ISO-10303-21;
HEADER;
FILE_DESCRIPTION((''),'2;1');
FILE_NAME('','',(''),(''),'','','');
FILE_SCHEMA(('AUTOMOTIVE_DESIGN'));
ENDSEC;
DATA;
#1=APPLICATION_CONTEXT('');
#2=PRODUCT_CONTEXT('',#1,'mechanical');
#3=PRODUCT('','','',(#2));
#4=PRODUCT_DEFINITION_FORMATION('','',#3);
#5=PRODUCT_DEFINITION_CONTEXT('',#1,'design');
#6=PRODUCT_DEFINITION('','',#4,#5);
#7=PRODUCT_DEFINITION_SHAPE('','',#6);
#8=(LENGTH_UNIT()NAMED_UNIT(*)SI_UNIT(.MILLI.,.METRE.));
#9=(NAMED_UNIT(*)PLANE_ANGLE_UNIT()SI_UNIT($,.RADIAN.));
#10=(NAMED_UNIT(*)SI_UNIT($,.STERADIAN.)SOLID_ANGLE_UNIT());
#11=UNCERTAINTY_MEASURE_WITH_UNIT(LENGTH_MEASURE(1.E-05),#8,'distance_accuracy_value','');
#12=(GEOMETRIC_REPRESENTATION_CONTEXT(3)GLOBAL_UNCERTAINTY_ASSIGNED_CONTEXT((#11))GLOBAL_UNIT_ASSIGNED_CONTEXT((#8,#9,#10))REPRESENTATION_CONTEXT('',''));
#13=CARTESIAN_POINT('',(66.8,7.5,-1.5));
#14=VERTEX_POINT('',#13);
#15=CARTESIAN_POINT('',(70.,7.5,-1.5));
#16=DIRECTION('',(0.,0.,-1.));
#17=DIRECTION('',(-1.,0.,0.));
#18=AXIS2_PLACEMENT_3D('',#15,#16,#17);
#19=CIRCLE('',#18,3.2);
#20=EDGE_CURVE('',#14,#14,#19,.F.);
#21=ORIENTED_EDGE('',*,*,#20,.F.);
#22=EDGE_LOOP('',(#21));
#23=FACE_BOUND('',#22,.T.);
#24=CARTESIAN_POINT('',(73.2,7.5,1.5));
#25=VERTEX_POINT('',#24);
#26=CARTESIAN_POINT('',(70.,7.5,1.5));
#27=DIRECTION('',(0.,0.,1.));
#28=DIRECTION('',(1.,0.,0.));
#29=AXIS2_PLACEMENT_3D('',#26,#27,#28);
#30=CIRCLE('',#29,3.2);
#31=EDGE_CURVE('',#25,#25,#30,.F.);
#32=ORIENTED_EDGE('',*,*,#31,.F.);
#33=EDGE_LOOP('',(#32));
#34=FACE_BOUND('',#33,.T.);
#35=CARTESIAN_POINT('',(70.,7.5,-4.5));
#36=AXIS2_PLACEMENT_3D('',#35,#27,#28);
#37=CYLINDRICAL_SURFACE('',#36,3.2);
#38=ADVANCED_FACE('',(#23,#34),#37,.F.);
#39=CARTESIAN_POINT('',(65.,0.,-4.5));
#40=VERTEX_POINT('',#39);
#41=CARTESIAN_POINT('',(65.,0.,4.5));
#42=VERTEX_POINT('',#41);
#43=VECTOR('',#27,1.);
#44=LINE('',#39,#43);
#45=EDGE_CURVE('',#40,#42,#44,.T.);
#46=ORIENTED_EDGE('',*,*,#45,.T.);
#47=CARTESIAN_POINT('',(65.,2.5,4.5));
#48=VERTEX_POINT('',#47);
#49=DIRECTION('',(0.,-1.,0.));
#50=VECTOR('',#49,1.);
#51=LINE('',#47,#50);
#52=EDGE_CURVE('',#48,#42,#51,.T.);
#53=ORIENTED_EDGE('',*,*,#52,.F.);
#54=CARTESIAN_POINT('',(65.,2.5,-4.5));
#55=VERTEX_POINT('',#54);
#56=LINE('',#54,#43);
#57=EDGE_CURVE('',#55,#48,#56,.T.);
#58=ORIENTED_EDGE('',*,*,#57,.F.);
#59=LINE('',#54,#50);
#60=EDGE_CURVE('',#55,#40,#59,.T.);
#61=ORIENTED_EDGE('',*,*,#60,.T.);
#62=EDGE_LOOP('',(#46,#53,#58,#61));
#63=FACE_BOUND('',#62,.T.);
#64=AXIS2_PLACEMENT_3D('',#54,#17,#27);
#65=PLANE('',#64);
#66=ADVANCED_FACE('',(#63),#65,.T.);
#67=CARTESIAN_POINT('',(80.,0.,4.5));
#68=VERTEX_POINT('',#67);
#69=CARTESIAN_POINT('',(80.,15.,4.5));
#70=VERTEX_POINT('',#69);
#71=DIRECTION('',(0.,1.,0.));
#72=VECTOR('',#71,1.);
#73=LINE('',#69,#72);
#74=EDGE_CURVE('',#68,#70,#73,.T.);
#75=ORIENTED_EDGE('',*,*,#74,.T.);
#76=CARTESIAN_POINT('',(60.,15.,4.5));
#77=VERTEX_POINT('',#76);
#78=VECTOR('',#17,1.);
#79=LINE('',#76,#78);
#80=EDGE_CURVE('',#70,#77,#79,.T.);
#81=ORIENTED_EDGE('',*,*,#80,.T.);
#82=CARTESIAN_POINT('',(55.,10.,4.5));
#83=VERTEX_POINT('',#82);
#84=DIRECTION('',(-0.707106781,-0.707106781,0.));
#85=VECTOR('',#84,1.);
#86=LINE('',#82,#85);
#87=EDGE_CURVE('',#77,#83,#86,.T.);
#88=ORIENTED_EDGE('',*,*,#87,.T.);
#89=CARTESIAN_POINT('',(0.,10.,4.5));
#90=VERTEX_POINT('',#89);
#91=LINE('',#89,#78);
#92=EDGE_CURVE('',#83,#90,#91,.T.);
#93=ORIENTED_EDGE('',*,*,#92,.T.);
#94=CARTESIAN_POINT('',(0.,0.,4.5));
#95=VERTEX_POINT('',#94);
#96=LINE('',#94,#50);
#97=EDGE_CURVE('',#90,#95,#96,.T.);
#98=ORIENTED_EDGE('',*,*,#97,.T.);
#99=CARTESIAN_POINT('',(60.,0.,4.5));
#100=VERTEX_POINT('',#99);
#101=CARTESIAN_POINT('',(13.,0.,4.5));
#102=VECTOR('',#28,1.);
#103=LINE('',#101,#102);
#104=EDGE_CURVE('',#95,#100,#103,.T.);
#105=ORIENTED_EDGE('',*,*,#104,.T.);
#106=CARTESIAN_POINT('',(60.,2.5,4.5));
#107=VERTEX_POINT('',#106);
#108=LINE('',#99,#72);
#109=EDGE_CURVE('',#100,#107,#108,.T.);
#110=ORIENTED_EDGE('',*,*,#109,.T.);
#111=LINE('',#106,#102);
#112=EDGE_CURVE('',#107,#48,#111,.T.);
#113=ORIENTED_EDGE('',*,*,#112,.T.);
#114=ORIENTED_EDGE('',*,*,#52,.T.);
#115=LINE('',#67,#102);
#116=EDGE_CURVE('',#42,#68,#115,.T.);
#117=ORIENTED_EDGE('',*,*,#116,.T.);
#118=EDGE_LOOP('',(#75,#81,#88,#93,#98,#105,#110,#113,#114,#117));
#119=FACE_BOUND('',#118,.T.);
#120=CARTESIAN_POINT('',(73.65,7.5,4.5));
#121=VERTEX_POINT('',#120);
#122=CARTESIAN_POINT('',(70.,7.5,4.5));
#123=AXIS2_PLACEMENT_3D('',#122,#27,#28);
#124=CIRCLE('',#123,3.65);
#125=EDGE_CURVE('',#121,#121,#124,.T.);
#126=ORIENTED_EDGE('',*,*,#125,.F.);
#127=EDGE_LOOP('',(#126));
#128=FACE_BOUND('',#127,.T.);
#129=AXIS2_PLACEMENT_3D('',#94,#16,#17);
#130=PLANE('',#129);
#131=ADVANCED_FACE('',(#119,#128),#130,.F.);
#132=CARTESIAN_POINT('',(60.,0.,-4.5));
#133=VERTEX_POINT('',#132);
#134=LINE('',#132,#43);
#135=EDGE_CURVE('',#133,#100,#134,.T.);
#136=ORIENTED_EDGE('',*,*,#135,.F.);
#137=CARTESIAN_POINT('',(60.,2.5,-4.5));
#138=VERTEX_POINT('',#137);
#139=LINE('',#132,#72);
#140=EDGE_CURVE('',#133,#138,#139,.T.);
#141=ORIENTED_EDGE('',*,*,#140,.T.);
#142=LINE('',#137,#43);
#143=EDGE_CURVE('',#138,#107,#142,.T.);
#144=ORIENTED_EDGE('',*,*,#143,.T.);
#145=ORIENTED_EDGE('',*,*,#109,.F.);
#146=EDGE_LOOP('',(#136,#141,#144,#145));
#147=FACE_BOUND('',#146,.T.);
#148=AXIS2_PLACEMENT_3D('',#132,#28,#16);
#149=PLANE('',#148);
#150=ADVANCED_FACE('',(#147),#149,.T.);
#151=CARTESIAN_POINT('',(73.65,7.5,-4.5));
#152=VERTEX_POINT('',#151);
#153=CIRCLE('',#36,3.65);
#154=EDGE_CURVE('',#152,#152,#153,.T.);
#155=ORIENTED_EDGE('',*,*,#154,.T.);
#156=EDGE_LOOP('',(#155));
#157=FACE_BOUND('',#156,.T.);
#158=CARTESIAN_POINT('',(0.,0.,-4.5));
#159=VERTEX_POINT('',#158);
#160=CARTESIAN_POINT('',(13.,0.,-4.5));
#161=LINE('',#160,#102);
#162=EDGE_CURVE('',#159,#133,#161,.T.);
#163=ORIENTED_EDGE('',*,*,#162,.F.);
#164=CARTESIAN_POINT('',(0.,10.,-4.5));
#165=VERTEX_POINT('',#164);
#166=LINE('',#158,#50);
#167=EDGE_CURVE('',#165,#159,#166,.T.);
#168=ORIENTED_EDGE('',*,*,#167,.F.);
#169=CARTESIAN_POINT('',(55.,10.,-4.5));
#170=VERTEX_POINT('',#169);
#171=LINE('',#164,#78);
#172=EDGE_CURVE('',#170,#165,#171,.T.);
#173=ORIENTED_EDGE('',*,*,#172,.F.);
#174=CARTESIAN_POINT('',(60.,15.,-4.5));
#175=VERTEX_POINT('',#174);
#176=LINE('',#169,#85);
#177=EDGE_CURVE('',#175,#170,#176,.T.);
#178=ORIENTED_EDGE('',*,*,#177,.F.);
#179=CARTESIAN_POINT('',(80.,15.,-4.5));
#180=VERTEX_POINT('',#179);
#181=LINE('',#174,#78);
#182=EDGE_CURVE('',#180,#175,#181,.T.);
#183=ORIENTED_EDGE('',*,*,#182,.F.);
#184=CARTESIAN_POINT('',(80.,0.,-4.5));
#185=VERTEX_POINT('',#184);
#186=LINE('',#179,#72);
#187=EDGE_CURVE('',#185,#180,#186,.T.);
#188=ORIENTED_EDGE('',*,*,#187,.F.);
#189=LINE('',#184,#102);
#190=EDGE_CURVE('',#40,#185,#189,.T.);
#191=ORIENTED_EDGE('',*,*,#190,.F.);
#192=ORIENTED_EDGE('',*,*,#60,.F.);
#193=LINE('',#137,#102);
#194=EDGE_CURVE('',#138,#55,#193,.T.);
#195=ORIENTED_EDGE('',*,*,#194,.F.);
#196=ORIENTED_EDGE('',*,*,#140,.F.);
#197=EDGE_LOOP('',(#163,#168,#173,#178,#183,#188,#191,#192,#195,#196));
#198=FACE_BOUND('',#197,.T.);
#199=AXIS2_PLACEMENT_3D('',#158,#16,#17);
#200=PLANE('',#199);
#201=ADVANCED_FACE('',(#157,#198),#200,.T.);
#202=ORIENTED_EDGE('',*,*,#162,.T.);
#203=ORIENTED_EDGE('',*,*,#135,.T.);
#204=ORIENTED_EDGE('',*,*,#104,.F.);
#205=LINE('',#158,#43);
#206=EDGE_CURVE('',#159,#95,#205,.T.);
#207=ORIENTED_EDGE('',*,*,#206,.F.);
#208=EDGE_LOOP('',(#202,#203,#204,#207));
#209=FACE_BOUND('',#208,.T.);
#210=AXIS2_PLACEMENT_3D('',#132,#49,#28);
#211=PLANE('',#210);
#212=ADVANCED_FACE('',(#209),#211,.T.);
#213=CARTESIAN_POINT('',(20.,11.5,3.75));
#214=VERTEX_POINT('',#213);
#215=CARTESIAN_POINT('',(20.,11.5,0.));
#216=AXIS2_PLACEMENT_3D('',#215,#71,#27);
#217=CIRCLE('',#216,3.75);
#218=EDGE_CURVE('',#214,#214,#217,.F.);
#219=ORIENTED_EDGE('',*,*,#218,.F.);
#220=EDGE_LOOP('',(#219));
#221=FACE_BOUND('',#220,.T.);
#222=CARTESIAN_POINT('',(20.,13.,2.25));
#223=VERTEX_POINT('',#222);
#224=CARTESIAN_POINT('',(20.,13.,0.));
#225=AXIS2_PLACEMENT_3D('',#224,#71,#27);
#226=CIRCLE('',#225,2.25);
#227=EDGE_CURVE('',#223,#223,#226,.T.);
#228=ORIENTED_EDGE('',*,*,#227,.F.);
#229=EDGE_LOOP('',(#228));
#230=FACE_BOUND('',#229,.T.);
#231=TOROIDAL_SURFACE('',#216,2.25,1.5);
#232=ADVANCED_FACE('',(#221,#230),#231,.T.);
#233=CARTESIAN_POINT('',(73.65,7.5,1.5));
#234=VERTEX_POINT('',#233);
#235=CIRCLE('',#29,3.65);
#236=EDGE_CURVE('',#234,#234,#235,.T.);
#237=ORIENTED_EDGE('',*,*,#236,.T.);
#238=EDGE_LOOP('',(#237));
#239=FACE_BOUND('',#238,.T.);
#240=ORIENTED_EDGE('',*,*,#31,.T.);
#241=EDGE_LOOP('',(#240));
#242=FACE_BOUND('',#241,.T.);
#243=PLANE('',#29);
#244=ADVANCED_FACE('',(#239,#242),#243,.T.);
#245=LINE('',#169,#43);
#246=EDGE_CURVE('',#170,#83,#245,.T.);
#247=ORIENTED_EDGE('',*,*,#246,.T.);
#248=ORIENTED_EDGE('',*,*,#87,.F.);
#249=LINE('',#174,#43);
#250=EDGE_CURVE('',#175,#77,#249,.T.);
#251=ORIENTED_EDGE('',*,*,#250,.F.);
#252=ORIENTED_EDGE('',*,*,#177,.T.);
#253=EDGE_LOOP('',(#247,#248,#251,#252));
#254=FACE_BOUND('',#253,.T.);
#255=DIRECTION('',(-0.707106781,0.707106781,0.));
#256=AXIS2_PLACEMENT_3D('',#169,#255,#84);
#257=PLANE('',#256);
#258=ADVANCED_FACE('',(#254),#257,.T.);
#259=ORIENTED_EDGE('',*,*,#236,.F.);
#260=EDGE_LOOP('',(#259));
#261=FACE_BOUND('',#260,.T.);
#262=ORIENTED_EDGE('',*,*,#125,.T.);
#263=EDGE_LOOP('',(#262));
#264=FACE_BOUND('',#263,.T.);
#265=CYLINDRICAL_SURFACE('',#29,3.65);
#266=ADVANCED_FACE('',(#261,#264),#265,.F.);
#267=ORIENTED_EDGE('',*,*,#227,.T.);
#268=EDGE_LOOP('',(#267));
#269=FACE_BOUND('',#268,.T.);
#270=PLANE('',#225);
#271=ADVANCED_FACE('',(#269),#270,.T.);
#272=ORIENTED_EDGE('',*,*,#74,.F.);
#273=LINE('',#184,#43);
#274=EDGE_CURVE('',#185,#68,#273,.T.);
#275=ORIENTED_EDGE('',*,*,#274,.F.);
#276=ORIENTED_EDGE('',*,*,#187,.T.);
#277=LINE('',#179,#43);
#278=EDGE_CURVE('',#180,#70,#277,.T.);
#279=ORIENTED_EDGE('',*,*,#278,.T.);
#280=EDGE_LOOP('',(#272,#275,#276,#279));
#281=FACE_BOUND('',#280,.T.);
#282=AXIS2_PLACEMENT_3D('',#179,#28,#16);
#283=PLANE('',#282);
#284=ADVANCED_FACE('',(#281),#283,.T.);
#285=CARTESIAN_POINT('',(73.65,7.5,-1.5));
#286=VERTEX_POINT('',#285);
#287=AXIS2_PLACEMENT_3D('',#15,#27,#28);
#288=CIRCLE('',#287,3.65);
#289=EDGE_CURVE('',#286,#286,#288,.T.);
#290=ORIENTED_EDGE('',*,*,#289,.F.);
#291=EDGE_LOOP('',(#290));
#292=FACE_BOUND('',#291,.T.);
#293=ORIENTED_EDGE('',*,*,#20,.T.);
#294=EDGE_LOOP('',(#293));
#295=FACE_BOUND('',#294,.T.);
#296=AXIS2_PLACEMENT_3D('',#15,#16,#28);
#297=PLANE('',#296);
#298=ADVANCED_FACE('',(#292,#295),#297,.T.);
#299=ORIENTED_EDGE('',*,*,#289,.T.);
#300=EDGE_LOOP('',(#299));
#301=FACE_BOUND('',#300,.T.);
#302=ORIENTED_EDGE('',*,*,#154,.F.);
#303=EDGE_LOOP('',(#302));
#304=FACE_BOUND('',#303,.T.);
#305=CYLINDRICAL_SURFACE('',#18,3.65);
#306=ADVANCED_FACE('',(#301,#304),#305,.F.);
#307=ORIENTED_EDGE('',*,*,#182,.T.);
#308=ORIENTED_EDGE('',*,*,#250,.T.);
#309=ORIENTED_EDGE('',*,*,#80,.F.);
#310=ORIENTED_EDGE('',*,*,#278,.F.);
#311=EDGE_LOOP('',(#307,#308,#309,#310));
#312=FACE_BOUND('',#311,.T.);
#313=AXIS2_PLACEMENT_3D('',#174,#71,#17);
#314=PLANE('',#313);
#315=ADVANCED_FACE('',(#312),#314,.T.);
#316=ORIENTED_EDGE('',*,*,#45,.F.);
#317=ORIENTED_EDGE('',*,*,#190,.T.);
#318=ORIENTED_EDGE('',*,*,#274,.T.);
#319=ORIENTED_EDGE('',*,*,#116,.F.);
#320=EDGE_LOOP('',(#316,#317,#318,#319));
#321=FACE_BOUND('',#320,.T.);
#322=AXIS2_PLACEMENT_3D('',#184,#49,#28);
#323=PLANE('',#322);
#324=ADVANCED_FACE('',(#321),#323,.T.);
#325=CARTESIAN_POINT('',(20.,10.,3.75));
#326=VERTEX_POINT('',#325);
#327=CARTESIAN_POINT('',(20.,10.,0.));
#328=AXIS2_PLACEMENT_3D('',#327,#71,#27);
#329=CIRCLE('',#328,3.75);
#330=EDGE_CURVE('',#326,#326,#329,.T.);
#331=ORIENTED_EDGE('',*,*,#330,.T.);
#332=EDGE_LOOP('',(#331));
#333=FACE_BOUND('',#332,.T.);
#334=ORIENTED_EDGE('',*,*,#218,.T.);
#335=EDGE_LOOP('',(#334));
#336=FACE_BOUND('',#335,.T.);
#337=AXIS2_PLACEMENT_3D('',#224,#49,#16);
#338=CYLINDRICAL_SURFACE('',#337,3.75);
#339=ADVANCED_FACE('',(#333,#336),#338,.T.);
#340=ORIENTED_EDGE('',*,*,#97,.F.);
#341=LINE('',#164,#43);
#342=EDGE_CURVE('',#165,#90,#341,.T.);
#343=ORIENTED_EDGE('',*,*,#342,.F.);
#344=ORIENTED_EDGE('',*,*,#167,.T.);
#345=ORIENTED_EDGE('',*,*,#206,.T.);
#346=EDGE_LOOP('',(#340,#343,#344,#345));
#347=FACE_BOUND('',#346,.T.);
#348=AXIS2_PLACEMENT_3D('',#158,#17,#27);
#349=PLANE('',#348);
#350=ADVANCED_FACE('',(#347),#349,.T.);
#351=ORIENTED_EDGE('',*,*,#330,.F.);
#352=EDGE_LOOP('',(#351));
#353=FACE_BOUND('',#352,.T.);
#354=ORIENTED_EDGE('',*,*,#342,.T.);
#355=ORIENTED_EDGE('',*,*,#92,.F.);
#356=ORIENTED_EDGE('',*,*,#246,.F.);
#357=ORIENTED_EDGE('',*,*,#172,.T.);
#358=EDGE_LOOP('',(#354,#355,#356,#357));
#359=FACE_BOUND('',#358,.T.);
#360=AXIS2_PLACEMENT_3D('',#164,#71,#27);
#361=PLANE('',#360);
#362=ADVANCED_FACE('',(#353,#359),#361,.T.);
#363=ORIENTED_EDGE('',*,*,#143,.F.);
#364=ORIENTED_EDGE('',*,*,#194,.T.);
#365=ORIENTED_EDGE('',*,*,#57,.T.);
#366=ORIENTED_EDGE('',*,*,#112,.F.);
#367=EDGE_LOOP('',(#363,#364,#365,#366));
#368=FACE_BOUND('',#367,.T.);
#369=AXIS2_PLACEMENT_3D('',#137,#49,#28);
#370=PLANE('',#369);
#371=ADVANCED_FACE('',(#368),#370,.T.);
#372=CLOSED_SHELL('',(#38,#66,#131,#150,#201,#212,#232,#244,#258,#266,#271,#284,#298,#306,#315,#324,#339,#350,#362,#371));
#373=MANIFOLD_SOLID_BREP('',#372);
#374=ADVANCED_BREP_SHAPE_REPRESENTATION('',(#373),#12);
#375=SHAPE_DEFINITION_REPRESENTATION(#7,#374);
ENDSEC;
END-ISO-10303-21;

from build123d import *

# Parameters (mm, degrees)
EXTRUDE_635_DEPTH      = 4.5
EXTRUDE_635_DEPTH_BACK = 4.5
SKETCH_1_R             = 3.2
SKETCH_3_R             = 3.65
CUT_EXTRUDE_1173_DEPTH = 3
SKETCH_5_R             = 3.75
EXTRUDE_1353_DEPTH     = 3
FILLET_3_R             = 1.5


with BuildPart() as part:
    # Эскиз1 → Extrude 635 (new, two sides: drawn at the far end of the back side and taken through both)
    with BuildSketch(Plane.XY.offset(-EXTRUDE_635_DEPTH_BACK)):
        Polygon((0, 10), (55, 10), (60, 15), (80, 15), (80, 0), (65, 0), (65, 2.5), (60, 2.5), (60, 0), (13, 0), (0, 0), align=None)
        with Locations((70, 7.5)):
            Circle(SKETCH_1_R, mode=Mode.SUBTRACT)
    extrude(amount=EXTRUDE_635_DEPTH + EXTRUDE_635_DEPTH_BACK)

    # Эскиз3 → Cut-Extrude 1173 (cut)
    with BuildSketch(Plane.XY.offset(4.5)):
        with Locations((70, 7.5)):
            Circle(SKETCH_3_R)
    cut_extrude_1173 = extrude(amount=-CUT_EXTRUDE_1173_DEPTH, mode=Mode.SUBTRACT)

    # Зеркальное отражение1: Cut-Extrude 1173 across plane
    add(cut_extrude_1173.mirror(Plane.XY), mode=Mode.SUBTRACT)

    # Эскиз5 → Extrude 1353 (add)
    with BuildSketch(Plane(origin=(0, 10, 0), x_dir=(1, 0, 0), z_dir=(0, 1, 0))):
        with Locations((20, 0)):
            Circle(SKETCH_5_R)
    extrude(amount=EXTRUDE_1353_DEPTH)

    # Скругление3
    fillet_3_edges = [part.edges().sort_by_distance(p)[0] for p in [
        (16.25, 13, 0),
    ]]
    fillet(fillet_3_edges, radius=FILLET_3_R)


solid = part.part
